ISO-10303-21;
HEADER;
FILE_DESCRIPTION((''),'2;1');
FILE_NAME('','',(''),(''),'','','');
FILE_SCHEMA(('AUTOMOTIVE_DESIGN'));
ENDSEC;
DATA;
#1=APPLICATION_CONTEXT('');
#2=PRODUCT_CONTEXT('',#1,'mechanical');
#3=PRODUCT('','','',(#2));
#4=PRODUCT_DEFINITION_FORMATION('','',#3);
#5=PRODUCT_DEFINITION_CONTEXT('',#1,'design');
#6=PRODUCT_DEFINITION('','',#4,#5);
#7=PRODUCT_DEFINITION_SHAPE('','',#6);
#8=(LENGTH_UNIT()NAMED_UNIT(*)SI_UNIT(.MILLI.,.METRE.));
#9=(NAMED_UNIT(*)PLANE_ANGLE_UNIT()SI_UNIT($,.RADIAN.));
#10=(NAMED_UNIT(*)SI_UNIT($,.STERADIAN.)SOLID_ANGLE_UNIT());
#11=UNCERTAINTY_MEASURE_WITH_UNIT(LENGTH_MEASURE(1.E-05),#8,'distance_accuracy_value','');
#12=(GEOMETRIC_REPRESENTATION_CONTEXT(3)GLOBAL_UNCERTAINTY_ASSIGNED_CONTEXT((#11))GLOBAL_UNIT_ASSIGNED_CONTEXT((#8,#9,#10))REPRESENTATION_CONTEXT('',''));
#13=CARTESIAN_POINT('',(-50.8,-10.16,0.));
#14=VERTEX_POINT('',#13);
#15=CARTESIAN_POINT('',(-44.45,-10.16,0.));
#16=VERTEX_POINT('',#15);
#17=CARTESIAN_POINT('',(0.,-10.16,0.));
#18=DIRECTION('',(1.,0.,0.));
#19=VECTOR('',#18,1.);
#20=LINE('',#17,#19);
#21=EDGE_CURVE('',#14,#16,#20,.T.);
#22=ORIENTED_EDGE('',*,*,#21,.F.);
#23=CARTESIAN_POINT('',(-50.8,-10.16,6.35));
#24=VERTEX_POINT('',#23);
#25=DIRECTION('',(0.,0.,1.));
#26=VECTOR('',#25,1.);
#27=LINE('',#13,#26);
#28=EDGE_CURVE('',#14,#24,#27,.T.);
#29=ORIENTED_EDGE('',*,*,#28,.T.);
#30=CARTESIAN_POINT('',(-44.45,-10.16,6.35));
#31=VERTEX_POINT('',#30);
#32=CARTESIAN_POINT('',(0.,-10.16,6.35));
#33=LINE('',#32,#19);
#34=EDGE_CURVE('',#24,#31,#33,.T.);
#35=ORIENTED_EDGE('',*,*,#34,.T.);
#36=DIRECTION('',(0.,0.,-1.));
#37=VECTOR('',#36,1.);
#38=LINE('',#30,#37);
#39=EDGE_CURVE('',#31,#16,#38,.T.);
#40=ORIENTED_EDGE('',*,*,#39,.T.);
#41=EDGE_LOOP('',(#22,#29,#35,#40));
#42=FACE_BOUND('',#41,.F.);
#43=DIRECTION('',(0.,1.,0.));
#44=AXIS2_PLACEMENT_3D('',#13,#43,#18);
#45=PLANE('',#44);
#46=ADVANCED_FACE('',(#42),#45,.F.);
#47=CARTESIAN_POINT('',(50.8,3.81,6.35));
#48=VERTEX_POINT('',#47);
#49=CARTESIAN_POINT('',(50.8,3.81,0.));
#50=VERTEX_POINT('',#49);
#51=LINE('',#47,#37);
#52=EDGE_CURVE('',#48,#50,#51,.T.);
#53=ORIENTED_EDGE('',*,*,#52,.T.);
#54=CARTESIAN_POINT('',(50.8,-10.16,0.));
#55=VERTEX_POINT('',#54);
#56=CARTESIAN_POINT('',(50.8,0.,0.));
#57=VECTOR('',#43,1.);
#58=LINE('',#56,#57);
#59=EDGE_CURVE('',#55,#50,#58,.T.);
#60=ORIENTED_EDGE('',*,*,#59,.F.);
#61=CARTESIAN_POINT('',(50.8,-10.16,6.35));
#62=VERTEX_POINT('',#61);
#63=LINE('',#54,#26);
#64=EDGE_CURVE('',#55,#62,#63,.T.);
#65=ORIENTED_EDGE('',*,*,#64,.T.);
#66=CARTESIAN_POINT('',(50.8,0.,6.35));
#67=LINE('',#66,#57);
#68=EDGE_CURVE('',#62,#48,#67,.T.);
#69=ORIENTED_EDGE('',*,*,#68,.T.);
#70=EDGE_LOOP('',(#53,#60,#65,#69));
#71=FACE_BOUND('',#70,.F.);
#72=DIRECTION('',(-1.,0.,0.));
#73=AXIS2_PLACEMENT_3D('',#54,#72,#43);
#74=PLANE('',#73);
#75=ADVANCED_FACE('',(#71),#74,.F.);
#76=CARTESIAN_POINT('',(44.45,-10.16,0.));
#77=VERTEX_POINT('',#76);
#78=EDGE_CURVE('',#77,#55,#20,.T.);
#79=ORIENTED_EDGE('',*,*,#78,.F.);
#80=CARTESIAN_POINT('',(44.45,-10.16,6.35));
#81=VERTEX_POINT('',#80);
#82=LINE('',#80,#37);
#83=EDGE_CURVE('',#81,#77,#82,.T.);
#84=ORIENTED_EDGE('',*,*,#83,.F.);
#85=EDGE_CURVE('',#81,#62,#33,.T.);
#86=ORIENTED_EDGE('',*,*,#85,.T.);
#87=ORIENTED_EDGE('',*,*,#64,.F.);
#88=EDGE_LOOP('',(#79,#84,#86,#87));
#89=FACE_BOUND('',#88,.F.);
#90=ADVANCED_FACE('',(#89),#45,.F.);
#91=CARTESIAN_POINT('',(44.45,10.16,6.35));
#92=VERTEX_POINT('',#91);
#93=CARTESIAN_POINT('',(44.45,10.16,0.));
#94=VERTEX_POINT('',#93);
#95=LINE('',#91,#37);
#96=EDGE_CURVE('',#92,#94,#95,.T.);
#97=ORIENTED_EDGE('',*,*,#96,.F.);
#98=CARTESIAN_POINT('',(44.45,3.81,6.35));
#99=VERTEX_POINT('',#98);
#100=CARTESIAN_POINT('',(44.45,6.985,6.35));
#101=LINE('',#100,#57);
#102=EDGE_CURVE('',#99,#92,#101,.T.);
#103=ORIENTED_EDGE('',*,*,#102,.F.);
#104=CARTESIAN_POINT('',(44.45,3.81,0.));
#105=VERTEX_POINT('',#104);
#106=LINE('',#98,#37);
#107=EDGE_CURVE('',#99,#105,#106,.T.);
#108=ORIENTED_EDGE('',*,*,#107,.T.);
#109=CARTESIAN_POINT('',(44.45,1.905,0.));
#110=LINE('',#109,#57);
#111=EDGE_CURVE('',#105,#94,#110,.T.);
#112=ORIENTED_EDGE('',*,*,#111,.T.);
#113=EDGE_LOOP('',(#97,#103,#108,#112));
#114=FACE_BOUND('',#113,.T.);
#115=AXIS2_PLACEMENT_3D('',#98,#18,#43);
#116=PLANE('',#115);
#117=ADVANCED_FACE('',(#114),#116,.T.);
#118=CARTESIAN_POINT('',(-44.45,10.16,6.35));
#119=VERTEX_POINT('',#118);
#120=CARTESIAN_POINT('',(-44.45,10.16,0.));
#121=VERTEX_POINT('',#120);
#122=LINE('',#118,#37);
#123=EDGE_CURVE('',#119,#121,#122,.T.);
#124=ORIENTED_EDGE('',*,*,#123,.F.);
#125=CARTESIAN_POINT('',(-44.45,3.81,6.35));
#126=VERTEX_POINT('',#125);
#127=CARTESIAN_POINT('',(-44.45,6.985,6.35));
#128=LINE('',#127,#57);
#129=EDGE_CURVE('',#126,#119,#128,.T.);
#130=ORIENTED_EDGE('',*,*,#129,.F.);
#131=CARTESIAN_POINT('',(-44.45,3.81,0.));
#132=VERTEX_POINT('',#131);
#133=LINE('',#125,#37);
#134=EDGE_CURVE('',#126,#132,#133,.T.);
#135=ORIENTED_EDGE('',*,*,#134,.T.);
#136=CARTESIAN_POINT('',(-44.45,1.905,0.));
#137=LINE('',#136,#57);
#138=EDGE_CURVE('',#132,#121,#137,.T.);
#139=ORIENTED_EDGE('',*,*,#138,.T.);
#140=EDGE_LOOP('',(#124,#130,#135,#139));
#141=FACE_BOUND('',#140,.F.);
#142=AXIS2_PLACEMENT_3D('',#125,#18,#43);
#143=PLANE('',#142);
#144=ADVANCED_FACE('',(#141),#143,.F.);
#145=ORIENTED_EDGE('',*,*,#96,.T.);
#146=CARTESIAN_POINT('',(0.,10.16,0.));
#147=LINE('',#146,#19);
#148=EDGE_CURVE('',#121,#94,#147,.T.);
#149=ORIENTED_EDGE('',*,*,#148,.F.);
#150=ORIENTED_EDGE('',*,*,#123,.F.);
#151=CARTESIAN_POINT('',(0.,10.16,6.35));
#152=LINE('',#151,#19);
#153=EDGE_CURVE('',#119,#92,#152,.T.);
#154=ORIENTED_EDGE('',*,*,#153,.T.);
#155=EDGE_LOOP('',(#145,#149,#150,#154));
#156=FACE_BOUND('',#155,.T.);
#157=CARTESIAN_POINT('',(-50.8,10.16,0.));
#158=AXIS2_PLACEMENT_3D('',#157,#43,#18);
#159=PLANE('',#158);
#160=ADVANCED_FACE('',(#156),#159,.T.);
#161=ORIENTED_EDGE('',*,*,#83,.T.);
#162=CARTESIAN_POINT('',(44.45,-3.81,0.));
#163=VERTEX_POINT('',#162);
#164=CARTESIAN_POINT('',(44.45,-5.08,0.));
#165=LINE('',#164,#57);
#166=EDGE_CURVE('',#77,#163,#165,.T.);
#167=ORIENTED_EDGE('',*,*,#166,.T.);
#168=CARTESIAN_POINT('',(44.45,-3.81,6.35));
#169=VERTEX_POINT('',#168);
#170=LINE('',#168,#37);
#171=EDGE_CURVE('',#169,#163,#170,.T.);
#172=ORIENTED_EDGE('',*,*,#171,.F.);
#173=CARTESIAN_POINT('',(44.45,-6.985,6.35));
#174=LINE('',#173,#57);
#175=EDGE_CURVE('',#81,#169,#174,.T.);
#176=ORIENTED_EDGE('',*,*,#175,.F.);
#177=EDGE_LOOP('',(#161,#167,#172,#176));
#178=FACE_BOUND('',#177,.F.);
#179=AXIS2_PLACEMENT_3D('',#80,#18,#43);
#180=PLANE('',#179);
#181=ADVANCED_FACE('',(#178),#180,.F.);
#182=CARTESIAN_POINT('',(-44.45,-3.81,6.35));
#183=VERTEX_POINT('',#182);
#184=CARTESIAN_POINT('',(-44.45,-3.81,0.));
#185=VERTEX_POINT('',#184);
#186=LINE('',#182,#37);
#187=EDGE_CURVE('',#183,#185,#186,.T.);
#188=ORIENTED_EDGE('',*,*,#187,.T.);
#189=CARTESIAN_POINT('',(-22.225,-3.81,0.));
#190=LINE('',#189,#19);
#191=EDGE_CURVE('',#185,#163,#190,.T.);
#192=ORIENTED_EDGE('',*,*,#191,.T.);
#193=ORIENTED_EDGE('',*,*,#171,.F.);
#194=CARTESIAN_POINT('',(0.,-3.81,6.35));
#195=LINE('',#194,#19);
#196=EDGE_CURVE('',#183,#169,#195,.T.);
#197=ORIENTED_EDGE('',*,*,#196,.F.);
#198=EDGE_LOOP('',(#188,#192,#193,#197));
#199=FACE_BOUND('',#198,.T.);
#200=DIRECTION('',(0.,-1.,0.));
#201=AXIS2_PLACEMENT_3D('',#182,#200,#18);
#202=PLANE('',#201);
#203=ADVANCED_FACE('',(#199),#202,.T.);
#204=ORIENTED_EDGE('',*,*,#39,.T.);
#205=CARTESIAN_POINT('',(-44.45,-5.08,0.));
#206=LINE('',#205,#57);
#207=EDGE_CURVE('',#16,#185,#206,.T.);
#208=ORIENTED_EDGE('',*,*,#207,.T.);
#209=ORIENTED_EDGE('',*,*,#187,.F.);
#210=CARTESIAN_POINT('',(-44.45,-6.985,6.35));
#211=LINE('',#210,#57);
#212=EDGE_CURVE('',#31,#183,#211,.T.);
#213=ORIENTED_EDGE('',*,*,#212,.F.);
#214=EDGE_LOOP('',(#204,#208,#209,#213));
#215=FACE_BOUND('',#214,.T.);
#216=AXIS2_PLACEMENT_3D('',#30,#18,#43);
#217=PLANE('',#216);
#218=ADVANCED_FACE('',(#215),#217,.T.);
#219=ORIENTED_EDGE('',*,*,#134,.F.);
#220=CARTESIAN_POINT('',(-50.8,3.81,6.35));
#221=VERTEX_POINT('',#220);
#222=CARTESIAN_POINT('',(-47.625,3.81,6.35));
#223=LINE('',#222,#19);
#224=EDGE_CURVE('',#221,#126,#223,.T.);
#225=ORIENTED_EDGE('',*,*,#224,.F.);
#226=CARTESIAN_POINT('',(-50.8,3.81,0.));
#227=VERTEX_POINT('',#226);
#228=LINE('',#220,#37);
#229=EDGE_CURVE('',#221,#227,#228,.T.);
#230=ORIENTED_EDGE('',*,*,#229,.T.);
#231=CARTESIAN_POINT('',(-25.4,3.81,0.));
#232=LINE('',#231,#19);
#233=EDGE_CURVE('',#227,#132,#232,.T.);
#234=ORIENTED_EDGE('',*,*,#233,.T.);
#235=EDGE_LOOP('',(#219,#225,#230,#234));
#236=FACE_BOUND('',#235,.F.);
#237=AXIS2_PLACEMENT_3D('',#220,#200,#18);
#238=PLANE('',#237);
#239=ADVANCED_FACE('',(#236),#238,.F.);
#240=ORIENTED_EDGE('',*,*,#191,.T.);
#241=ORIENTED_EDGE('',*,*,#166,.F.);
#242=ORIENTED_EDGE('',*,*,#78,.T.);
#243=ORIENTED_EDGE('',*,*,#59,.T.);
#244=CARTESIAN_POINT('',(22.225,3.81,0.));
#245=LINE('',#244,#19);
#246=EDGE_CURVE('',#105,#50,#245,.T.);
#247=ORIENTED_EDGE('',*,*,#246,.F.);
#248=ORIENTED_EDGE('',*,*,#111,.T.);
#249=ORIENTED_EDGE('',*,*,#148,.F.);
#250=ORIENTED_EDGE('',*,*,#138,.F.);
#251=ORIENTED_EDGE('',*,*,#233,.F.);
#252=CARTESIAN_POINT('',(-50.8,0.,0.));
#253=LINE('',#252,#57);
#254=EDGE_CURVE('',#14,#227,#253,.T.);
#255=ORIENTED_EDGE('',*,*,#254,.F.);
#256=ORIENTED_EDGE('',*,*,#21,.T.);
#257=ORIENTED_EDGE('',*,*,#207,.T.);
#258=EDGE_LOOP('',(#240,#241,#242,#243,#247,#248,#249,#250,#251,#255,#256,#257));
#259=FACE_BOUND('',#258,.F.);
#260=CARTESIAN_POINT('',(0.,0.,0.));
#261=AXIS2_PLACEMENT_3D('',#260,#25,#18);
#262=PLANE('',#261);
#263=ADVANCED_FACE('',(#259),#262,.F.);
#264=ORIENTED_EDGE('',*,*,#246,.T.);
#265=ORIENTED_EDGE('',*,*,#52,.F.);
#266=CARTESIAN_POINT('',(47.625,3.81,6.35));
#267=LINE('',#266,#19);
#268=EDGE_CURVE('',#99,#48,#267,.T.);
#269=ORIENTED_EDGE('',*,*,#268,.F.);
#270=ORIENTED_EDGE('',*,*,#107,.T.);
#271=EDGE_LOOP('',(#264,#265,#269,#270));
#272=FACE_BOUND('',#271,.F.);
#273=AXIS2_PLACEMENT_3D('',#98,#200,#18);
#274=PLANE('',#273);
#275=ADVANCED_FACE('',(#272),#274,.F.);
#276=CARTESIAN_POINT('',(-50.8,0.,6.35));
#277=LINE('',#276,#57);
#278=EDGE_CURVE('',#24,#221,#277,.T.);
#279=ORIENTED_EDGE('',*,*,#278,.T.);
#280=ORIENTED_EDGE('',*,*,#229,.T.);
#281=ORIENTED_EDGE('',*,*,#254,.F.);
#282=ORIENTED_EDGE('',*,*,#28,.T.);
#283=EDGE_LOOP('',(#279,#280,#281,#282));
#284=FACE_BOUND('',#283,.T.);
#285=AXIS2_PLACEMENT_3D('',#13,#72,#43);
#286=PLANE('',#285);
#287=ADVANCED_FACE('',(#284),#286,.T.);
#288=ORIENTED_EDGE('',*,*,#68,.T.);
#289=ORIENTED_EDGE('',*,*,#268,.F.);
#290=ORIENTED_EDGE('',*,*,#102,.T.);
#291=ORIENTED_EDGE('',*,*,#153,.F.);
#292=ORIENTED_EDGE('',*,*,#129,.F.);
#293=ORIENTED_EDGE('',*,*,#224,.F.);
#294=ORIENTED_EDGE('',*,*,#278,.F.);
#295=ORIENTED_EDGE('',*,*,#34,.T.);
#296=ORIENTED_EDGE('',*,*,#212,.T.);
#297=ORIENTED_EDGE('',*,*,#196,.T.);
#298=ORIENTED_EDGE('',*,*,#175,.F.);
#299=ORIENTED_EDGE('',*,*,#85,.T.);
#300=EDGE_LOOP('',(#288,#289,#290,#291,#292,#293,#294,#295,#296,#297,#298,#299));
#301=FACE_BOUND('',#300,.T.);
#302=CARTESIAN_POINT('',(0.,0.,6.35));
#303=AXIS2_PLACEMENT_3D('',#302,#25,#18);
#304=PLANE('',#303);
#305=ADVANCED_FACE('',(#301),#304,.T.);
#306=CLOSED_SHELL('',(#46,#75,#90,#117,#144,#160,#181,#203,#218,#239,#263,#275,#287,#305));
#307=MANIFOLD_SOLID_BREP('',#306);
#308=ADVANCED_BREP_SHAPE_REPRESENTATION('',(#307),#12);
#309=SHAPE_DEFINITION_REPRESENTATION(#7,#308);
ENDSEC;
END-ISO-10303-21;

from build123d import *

# Parameters (mm, degrees)
F0_W     = 101.6
F0_H     = 20.32
F1_DEPTH = 6.35
F2_W     = 88.9
F2_H     = 6.35
F2_W_2   = 6.35
F3_DEPTH = 6.351


with BuildPart() as f1:
    # F0 (on Top) → F1 (new body)
    with BuildSketch(Plane.XY):
        Rectangle(F0_W, F0_H)
    extrude(amount=F1_DEPTH)

    # F2 (on face) → F3 (cut, through all)
    with BuildSketch(Plane.XY.offset(6.35)):
        with Locations((0, -6.985)):
            Rectangle(F2_W, F2_H)
        with Locations((-47.625, 6.985)):
            Rectangle(F2_W_2, F2_H)
        with Locations((47.625, 6.985)):
            Rectangle(F2_W_2, F2_H)
    extrude(amount=-F3_DEPTH, mode=Mode.SUBTRACT)


solid = f1.part
